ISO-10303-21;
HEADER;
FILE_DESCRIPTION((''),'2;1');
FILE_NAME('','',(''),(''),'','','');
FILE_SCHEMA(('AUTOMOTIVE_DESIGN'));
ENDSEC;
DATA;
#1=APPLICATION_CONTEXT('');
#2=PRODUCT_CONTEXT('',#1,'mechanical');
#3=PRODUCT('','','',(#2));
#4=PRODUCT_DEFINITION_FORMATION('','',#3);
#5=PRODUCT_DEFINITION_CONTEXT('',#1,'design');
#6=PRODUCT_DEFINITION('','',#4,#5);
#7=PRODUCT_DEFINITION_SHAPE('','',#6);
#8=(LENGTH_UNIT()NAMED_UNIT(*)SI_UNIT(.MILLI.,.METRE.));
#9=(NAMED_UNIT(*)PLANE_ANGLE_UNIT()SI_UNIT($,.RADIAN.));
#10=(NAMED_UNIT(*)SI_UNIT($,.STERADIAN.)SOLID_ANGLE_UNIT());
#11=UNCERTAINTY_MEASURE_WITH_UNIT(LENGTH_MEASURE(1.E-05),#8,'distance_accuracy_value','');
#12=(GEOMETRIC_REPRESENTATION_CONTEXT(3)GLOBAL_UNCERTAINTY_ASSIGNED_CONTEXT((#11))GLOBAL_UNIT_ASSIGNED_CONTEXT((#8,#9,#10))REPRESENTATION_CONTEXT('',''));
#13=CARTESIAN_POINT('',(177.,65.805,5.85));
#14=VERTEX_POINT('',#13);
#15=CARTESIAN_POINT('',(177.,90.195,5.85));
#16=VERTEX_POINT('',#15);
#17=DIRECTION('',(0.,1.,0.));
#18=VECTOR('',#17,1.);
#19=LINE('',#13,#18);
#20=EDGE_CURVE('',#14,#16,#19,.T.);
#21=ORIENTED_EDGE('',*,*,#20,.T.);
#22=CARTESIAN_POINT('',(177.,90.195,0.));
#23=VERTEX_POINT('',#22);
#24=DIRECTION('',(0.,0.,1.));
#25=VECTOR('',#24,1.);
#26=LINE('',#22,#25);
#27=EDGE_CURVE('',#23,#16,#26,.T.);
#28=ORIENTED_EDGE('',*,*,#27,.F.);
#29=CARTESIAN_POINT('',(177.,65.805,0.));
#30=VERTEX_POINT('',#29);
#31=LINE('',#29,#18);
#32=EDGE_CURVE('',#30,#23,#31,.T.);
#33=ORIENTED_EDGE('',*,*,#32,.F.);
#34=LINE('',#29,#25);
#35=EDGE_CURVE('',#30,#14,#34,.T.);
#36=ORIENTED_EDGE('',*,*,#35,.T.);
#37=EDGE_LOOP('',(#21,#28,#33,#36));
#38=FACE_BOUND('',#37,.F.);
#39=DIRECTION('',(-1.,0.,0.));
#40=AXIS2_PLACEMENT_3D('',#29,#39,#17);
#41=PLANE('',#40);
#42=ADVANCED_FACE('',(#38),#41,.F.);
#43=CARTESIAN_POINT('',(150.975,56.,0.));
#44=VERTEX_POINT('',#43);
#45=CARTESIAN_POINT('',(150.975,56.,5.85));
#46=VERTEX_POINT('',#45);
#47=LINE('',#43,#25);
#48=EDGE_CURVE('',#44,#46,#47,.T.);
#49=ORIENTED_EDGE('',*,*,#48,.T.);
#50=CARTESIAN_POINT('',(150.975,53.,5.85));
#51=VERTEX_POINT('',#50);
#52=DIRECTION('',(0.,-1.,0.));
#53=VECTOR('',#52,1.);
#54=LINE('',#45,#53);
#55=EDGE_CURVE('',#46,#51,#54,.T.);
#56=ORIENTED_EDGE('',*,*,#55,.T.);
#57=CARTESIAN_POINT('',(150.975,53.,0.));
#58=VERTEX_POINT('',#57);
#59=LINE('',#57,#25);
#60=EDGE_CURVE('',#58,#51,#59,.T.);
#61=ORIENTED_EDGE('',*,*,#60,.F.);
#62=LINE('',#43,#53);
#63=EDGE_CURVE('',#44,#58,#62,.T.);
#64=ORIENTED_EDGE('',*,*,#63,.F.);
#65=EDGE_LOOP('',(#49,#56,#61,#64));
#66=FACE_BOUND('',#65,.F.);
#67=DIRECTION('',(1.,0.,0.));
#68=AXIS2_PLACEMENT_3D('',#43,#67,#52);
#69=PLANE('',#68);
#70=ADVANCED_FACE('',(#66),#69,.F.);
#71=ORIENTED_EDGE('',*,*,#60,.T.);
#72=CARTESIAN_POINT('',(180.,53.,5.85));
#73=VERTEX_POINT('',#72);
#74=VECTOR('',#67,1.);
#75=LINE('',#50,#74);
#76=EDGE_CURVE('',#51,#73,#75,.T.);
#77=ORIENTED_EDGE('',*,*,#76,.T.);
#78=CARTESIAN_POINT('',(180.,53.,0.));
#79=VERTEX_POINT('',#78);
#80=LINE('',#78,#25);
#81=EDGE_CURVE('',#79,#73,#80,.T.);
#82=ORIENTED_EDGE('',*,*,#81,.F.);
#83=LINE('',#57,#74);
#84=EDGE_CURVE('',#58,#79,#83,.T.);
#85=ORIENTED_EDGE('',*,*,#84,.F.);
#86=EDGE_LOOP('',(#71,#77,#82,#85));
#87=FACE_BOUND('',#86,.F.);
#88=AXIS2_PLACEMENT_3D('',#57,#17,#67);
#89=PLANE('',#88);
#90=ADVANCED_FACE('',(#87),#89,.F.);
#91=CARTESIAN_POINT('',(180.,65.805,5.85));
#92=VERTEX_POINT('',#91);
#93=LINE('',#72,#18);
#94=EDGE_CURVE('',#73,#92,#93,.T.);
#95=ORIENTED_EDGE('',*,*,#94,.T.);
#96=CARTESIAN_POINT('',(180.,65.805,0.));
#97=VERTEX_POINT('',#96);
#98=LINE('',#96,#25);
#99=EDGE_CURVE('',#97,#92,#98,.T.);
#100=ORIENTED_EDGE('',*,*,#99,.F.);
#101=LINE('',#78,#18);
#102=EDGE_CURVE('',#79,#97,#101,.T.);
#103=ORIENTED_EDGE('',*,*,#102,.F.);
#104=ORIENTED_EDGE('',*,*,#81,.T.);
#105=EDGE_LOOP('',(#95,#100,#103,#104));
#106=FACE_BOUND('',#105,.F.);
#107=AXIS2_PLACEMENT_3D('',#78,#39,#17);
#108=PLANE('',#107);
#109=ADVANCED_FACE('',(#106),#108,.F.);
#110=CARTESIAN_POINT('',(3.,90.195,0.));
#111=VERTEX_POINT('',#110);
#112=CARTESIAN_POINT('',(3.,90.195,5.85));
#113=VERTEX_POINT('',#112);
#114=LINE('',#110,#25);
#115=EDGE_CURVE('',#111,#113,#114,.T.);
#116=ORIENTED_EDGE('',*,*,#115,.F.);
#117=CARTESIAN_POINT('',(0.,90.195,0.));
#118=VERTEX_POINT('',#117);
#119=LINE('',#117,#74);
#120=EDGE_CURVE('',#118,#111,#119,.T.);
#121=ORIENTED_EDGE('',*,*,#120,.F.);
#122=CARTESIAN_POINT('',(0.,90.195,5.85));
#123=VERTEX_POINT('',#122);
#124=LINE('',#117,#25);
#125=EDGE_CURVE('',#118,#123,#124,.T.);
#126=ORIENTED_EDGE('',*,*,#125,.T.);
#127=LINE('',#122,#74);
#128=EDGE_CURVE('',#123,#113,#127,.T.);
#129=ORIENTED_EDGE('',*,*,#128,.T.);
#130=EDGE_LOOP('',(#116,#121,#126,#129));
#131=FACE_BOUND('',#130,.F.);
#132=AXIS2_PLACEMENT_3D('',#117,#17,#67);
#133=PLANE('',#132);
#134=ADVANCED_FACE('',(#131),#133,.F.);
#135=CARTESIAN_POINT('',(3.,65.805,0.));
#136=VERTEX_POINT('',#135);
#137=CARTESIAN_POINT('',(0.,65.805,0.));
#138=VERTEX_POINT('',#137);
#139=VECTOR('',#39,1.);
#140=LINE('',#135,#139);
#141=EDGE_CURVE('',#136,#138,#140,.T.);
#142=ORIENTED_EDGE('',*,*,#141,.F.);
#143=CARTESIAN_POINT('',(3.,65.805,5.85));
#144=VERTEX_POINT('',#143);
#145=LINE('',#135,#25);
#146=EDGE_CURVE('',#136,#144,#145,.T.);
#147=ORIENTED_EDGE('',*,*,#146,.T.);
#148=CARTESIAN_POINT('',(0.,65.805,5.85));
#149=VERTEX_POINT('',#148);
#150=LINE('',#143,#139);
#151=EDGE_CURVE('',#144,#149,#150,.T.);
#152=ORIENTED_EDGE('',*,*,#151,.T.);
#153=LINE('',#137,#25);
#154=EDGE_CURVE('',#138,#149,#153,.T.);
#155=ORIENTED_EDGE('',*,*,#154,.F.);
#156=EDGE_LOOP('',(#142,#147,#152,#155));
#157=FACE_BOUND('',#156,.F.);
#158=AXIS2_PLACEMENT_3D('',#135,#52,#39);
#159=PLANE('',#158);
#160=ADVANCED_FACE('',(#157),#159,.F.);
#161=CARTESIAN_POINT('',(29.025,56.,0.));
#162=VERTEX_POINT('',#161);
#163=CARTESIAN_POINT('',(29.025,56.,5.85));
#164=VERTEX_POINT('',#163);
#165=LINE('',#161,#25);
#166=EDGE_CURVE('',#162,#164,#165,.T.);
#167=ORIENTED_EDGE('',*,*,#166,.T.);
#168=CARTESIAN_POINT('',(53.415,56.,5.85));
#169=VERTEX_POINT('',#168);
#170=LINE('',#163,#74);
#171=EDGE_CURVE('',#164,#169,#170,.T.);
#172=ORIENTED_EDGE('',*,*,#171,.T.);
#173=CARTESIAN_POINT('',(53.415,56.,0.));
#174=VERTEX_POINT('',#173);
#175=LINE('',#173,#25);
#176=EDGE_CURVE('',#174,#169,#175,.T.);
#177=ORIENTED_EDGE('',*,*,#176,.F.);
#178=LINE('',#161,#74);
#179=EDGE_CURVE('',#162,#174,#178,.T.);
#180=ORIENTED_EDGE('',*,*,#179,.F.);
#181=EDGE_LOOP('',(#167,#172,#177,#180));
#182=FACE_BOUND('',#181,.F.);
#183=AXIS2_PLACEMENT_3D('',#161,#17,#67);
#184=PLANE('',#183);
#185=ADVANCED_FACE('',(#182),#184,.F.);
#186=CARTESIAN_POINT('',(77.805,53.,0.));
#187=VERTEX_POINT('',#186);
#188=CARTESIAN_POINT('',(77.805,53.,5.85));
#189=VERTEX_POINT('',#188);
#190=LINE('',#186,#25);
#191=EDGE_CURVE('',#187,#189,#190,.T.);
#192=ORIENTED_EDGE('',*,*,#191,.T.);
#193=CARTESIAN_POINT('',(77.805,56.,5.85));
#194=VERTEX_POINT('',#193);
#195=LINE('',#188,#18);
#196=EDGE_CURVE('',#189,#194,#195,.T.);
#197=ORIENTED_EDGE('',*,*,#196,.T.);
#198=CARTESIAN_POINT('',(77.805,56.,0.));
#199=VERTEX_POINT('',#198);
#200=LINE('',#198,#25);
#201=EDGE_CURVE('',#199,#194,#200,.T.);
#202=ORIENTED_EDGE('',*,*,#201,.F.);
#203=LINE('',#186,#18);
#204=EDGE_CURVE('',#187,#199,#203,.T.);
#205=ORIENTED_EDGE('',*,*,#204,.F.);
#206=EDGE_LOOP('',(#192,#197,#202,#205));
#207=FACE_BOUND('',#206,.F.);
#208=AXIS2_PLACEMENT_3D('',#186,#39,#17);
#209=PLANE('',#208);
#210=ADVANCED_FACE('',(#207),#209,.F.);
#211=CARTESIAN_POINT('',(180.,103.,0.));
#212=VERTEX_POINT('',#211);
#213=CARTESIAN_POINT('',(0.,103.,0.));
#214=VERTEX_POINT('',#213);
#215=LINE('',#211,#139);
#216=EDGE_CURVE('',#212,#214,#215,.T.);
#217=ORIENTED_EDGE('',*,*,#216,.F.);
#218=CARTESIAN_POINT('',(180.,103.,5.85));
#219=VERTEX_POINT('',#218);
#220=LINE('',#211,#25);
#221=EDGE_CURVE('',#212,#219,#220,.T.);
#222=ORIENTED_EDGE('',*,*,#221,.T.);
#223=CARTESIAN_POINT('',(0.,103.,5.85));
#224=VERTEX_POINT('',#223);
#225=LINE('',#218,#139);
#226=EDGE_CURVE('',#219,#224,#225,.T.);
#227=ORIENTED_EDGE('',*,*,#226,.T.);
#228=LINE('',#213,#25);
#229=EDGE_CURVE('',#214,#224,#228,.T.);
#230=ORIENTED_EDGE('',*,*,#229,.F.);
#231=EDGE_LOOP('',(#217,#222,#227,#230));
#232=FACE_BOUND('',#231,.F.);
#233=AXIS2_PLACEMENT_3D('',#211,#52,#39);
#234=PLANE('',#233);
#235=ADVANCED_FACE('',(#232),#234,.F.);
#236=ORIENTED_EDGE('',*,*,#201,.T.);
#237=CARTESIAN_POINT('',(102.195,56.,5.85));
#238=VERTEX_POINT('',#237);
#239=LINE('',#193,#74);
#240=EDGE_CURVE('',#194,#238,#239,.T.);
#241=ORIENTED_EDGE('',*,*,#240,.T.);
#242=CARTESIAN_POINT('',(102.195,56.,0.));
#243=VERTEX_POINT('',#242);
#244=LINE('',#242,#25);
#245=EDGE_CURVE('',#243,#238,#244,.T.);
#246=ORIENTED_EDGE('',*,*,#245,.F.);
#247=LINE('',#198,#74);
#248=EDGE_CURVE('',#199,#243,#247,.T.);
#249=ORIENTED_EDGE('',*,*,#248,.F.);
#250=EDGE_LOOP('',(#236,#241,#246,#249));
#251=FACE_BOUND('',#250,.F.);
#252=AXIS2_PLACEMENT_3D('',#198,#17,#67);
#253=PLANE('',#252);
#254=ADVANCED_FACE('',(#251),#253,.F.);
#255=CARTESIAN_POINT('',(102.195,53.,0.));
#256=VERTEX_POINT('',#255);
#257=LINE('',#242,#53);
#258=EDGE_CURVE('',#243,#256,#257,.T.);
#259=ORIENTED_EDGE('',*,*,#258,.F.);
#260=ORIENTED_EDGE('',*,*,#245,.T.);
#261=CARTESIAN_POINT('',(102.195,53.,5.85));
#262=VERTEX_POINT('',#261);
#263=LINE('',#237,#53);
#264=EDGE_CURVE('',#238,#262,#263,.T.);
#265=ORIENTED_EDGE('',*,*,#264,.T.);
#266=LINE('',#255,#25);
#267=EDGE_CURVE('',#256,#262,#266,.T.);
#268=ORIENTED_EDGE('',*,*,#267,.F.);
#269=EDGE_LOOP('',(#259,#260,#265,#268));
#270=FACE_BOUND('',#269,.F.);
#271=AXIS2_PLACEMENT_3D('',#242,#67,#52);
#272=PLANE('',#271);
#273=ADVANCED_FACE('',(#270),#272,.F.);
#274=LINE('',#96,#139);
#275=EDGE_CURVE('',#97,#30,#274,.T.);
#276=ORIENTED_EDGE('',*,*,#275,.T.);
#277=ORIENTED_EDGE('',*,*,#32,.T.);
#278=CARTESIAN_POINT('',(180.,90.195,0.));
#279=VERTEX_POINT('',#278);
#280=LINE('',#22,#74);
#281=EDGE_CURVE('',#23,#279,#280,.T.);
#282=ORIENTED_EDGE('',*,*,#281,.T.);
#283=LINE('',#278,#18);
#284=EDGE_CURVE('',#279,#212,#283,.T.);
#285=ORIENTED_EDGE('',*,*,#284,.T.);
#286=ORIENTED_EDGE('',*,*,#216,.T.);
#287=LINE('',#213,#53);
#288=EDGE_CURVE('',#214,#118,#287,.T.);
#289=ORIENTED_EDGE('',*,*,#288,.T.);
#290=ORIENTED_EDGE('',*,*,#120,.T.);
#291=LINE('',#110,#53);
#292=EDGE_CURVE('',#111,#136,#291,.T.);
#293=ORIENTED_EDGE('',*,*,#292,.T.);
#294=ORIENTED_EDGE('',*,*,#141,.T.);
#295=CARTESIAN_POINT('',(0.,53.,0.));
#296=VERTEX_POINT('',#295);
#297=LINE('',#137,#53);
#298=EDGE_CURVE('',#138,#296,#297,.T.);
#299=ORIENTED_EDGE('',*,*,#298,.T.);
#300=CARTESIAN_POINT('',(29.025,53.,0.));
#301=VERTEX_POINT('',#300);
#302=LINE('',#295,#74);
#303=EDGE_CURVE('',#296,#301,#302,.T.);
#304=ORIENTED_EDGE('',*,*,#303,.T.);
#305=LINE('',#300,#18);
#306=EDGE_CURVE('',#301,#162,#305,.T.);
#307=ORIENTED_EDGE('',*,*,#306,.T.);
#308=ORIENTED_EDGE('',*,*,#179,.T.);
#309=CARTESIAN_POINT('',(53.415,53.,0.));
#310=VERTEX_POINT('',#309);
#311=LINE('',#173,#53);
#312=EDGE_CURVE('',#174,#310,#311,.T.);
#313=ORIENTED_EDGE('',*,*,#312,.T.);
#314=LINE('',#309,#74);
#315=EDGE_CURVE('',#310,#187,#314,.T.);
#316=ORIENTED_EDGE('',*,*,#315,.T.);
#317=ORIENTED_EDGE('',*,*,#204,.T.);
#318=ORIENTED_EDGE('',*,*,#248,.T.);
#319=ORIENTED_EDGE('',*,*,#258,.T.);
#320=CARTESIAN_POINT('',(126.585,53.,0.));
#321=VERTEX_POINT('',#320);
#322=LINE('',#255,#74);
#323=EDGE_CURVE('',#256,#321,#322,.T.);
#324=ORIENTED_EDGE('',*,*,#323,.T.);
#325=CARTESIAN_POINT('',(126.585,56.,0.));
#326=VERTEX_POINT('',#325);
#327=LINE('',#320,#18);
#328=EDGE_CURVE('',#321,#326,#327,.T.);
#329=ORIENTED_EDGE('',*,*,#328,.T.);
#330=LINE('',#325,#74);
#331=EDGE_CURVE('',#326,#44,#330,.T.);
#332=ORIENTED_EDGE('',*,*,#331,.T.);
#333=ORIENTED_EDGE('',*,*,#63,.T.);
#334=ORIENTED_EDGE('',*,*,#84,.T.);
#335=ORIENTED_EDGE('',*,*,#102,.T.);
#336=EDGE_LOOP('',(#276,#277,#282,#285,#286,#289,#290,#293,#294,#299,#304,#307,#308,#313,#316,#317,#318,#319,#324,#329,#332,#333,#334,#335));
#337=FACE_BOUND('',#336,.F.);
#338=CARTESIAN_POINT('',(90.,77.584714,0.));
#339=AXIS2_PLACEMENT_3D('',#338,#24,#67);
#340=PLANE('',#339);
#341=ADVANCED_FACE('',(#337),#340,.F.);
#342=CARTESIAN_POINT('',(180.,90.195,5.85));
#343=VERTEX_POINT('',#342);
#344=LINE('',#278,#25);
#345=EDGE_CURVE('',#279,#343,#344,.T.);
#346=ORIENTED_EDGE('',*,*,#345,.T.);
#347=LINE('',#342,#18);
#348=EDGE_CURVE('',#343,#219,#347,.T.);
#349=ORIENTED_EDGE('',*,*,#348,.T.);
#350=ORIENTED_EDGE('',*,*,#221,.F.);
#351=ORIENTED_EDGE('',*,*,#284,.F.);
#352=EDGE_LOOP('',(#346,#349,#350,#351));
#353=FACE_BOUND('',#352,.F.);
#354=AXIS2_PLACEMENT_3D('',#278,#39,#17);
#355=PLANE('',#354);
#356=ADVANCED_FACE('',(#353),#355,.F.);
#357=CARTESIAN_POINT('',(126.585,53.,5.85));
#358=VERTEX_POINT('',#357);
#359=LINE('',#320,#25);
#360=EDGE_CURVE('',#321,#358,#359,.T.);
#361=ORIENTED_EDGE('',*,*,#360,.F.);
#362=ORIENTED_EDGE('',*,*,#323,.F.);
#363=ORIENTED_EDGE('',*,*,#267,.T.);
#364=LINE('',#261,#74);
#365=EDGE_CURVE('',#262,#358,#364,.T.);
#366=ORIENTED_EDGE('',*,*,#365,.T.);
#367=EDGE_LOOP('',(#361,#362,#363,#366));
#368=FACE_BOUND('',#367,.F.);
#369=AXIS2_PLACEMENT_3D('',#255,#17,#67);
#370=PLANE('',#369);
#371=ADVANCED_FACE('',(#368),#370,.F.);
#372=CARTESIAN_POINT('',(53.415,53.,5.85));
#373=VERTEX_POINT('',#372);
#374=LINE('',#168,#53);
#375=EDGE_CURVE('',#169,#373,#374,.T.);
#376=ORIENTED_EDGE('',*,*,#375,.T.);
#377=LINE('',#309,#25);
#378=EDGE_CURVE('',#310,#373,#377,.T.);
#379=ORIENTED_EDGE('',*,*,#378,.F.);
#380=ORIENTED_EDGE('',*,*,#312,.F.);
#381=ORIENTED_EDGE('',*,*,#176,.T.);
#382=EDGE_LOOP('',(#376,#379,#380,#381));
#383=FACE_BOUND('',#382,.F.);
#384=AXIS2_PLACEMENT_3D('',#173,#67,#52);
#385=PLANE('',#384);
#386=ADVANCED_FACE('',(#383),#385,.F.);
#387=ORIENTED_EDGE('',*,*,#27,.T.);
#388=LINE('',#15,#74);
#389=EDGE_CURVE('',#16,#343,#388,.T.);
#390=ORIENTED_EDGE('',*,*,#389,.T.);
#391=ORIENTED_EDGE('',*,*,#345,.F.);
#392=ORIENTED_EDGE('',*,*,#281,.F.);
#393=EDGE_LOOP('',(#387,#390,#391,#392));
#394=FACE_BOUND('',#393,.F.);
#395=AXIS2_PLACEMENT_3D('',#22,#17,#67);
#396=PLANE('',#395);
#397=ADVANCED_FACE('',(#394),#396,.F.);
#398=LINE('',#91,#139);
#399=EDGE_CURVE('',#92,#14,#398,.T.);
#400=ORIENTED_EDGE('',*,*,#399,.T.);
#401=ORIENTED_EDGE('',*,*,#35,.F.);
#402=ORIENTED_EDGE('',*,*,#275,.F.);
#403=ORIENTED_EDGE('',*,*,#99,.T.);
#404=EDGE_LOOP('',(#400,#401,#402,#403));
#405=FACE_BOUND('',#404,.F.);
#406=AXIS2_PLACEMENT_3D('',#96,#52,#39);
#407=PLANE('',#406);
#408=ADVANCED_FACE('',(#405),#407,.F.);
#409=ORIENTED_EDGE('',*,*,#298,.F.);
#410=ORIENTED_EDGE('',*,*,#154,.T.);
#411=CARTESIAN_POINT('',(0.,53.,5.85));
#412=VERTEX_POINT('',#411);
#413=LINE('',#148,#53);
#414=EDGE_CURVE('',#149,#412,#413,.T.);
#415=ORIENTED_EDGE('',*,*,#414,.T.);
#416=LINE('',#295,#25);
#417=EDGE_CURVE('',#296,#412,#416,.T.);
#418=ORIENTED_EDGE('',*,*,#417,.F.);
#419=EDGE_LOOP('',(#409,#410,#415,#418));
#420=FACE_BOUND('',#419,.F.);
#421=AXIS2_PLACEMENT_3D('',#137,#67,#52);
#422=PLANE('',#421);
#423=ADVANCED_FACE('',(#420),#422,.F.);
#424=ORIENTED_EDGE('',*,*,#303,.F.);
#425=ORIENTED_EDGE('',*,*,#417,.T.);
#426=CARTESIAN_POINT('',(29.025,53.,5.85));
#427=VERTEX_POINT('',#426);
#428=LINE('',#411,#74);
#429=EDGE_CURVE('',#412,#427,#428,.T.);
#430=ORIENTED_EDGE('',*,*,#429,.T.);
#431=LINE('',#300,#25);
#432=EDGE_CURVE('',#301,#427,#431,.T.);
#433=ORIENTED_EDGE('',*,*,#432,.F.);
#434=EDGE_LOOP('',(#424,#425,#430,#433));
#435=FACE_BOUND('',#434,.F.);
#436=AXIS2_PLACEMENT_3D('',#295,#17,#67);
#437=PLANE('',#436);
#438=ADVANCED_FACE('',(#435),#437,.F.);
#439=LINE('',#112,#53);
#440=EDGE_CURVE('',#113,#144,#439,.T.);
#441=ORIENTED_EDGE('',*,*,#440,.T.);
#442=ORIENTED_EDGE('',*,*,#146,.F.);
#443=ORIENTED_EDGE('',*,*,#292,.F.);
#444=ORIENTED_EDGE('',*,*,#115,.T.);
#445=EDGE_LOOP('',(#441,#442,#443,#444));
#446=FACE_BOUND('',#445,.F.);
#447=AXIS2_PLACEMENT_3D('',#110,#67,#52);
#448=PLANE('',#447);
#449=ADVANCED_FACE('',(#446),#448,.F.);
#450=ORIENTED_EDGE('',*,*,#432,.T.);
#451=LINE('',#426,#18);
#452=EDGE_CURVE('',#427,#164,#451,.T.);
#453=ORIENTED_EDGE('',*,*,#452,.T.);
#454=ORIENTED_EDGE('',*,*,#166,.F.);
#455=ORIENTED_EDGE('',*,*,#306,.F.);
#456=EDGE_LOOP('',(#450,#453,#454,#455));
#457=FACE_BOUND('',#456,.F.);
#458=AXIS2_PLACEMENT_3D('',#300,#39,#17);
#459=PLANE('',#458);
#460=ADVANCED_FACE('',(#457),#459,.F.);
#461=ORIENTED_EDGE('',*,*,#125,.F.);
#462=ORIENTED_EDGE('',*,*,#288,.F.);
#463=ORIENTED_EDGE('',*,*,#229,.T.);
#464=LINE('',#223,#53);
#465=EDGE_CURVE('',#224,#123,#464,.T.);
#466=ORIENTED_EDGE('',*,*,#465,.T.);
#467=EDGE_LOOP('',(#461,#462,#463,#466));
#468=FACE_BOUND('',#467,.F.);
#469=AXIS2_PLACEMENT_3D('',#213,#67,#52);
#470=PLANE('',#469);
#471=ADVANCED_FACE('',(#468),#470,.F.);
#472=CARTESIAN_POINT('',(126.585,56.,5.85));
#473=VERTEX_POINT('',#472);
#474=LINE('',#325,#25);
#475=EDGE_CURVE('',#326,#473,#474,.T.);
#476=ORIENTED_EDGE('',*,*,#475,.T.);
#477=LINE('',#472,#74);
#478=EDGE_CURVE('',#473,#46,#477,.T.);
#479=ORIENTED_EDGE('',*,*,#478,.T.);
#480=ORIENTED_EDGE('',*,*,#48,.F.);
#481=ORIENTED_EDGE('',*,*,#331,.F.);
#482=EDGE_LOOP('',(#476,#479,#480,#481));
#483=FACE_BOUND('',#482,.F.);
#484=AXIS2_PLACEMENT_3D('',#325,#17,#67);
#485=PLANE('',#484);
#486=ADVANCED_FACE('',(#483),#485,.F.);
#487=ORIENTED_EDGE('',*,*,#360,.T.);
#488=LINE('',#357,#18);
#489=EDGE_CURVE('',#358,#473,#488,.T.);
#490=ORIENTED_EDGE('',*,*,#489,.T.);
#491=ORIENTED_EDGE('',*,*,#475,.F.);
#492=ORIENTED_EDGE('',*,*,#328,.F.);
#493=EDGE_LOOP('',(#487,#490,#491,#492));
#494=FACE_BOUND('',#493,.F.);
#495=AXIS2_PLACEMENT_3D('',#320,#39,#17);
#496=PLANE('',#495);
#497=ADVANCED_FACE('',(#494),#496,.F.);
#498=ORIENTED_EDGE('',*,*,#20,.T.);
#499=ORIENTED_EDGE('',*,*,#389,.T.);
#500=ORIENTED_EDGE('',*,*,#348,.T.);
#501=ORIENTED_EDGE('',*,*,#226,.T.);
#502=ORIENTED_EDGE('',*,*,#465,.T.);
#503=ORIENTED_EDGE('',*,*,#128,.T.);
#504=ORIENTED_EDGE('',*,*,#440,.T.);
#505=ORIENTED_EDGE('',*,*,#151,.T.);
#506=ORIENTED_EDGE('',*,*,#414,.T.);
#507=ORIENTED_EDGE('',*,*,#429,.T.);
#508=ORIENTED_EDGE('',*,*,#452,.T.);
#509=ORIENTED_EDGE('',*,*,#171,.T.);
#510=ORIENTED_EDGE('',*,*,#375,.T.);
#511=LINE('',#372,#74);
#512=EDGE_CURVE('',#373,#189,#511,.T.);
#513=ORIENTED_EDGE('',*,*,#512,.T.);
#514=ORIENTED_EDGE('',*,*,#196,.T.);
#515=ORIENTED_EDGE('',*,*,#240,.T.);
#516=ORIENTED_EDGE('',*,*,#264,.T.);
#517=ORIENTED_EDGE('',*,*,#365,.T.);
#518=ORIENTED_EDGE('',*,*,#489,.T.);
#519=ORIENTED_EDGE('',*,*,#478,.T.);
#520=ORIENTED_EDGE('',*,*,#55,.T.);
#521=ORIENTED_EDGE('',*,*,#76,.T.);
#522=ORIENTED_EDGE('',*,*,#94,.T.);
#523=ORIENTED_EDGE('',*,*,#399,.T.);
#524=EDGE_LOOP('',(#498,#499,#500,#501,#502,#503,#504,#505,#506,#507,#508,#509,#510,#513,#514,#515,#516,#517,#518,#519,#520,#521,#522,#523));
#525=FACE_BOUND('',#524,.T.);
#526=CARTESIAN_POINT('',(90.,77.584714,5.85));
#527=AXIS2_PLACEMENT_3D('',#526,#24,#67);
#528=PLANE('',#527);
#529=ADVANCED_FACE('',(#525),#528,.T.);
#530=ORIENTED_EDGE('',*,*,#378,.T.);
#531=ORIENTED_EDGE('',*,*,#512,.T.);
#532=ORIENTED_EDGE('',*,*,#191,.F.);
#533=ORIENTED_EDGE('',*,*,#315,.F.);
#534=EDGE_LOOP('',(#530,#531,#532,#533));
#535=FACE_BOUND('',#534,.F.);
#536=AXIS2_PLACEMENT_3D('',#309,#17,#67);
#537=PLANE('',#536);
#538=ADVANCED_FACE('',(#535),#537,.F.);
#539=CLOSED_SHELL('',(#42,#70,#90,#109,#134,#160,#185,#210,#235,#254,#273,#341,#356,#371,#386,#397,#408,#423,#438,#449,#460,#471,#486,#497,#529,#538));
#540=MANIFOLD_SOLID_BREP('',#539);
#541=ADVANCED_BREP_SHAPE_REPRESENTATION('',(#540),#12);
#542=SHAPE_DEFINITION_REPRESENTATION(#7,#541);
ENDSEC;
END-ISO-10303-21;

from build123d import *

# Parameters (mm, degrees)
SALIENTE_EXTRUIR1_DEPTH = 5.85


with BuildPart() as part:
    # Model → Saliente-Extruir1 (new body)
    with BuildSketch(Plane.XY):
        Polygon((0, 103), (0, 90.195), (3, 90.195), (3, 65.805), (0, 65.805), (0, 53), (29.025, 53), (29.025, 56), (53.415, 56), (53.415, 53), (77.805, 53), (77.805, 56), (102.195, 56), (102.195, 53), (126.585, 53), (126.585, 56), (150.975, 56), (150.975, 53), (175.365, 53), (180, 53), (180, 65.805), (177, 65.805), (177, 90.195), (180, 90.195), (180, 103), align=None)
    extrude(amount=SALIENTE_EXTRUIR1_DEPTH)


solid = part.part
